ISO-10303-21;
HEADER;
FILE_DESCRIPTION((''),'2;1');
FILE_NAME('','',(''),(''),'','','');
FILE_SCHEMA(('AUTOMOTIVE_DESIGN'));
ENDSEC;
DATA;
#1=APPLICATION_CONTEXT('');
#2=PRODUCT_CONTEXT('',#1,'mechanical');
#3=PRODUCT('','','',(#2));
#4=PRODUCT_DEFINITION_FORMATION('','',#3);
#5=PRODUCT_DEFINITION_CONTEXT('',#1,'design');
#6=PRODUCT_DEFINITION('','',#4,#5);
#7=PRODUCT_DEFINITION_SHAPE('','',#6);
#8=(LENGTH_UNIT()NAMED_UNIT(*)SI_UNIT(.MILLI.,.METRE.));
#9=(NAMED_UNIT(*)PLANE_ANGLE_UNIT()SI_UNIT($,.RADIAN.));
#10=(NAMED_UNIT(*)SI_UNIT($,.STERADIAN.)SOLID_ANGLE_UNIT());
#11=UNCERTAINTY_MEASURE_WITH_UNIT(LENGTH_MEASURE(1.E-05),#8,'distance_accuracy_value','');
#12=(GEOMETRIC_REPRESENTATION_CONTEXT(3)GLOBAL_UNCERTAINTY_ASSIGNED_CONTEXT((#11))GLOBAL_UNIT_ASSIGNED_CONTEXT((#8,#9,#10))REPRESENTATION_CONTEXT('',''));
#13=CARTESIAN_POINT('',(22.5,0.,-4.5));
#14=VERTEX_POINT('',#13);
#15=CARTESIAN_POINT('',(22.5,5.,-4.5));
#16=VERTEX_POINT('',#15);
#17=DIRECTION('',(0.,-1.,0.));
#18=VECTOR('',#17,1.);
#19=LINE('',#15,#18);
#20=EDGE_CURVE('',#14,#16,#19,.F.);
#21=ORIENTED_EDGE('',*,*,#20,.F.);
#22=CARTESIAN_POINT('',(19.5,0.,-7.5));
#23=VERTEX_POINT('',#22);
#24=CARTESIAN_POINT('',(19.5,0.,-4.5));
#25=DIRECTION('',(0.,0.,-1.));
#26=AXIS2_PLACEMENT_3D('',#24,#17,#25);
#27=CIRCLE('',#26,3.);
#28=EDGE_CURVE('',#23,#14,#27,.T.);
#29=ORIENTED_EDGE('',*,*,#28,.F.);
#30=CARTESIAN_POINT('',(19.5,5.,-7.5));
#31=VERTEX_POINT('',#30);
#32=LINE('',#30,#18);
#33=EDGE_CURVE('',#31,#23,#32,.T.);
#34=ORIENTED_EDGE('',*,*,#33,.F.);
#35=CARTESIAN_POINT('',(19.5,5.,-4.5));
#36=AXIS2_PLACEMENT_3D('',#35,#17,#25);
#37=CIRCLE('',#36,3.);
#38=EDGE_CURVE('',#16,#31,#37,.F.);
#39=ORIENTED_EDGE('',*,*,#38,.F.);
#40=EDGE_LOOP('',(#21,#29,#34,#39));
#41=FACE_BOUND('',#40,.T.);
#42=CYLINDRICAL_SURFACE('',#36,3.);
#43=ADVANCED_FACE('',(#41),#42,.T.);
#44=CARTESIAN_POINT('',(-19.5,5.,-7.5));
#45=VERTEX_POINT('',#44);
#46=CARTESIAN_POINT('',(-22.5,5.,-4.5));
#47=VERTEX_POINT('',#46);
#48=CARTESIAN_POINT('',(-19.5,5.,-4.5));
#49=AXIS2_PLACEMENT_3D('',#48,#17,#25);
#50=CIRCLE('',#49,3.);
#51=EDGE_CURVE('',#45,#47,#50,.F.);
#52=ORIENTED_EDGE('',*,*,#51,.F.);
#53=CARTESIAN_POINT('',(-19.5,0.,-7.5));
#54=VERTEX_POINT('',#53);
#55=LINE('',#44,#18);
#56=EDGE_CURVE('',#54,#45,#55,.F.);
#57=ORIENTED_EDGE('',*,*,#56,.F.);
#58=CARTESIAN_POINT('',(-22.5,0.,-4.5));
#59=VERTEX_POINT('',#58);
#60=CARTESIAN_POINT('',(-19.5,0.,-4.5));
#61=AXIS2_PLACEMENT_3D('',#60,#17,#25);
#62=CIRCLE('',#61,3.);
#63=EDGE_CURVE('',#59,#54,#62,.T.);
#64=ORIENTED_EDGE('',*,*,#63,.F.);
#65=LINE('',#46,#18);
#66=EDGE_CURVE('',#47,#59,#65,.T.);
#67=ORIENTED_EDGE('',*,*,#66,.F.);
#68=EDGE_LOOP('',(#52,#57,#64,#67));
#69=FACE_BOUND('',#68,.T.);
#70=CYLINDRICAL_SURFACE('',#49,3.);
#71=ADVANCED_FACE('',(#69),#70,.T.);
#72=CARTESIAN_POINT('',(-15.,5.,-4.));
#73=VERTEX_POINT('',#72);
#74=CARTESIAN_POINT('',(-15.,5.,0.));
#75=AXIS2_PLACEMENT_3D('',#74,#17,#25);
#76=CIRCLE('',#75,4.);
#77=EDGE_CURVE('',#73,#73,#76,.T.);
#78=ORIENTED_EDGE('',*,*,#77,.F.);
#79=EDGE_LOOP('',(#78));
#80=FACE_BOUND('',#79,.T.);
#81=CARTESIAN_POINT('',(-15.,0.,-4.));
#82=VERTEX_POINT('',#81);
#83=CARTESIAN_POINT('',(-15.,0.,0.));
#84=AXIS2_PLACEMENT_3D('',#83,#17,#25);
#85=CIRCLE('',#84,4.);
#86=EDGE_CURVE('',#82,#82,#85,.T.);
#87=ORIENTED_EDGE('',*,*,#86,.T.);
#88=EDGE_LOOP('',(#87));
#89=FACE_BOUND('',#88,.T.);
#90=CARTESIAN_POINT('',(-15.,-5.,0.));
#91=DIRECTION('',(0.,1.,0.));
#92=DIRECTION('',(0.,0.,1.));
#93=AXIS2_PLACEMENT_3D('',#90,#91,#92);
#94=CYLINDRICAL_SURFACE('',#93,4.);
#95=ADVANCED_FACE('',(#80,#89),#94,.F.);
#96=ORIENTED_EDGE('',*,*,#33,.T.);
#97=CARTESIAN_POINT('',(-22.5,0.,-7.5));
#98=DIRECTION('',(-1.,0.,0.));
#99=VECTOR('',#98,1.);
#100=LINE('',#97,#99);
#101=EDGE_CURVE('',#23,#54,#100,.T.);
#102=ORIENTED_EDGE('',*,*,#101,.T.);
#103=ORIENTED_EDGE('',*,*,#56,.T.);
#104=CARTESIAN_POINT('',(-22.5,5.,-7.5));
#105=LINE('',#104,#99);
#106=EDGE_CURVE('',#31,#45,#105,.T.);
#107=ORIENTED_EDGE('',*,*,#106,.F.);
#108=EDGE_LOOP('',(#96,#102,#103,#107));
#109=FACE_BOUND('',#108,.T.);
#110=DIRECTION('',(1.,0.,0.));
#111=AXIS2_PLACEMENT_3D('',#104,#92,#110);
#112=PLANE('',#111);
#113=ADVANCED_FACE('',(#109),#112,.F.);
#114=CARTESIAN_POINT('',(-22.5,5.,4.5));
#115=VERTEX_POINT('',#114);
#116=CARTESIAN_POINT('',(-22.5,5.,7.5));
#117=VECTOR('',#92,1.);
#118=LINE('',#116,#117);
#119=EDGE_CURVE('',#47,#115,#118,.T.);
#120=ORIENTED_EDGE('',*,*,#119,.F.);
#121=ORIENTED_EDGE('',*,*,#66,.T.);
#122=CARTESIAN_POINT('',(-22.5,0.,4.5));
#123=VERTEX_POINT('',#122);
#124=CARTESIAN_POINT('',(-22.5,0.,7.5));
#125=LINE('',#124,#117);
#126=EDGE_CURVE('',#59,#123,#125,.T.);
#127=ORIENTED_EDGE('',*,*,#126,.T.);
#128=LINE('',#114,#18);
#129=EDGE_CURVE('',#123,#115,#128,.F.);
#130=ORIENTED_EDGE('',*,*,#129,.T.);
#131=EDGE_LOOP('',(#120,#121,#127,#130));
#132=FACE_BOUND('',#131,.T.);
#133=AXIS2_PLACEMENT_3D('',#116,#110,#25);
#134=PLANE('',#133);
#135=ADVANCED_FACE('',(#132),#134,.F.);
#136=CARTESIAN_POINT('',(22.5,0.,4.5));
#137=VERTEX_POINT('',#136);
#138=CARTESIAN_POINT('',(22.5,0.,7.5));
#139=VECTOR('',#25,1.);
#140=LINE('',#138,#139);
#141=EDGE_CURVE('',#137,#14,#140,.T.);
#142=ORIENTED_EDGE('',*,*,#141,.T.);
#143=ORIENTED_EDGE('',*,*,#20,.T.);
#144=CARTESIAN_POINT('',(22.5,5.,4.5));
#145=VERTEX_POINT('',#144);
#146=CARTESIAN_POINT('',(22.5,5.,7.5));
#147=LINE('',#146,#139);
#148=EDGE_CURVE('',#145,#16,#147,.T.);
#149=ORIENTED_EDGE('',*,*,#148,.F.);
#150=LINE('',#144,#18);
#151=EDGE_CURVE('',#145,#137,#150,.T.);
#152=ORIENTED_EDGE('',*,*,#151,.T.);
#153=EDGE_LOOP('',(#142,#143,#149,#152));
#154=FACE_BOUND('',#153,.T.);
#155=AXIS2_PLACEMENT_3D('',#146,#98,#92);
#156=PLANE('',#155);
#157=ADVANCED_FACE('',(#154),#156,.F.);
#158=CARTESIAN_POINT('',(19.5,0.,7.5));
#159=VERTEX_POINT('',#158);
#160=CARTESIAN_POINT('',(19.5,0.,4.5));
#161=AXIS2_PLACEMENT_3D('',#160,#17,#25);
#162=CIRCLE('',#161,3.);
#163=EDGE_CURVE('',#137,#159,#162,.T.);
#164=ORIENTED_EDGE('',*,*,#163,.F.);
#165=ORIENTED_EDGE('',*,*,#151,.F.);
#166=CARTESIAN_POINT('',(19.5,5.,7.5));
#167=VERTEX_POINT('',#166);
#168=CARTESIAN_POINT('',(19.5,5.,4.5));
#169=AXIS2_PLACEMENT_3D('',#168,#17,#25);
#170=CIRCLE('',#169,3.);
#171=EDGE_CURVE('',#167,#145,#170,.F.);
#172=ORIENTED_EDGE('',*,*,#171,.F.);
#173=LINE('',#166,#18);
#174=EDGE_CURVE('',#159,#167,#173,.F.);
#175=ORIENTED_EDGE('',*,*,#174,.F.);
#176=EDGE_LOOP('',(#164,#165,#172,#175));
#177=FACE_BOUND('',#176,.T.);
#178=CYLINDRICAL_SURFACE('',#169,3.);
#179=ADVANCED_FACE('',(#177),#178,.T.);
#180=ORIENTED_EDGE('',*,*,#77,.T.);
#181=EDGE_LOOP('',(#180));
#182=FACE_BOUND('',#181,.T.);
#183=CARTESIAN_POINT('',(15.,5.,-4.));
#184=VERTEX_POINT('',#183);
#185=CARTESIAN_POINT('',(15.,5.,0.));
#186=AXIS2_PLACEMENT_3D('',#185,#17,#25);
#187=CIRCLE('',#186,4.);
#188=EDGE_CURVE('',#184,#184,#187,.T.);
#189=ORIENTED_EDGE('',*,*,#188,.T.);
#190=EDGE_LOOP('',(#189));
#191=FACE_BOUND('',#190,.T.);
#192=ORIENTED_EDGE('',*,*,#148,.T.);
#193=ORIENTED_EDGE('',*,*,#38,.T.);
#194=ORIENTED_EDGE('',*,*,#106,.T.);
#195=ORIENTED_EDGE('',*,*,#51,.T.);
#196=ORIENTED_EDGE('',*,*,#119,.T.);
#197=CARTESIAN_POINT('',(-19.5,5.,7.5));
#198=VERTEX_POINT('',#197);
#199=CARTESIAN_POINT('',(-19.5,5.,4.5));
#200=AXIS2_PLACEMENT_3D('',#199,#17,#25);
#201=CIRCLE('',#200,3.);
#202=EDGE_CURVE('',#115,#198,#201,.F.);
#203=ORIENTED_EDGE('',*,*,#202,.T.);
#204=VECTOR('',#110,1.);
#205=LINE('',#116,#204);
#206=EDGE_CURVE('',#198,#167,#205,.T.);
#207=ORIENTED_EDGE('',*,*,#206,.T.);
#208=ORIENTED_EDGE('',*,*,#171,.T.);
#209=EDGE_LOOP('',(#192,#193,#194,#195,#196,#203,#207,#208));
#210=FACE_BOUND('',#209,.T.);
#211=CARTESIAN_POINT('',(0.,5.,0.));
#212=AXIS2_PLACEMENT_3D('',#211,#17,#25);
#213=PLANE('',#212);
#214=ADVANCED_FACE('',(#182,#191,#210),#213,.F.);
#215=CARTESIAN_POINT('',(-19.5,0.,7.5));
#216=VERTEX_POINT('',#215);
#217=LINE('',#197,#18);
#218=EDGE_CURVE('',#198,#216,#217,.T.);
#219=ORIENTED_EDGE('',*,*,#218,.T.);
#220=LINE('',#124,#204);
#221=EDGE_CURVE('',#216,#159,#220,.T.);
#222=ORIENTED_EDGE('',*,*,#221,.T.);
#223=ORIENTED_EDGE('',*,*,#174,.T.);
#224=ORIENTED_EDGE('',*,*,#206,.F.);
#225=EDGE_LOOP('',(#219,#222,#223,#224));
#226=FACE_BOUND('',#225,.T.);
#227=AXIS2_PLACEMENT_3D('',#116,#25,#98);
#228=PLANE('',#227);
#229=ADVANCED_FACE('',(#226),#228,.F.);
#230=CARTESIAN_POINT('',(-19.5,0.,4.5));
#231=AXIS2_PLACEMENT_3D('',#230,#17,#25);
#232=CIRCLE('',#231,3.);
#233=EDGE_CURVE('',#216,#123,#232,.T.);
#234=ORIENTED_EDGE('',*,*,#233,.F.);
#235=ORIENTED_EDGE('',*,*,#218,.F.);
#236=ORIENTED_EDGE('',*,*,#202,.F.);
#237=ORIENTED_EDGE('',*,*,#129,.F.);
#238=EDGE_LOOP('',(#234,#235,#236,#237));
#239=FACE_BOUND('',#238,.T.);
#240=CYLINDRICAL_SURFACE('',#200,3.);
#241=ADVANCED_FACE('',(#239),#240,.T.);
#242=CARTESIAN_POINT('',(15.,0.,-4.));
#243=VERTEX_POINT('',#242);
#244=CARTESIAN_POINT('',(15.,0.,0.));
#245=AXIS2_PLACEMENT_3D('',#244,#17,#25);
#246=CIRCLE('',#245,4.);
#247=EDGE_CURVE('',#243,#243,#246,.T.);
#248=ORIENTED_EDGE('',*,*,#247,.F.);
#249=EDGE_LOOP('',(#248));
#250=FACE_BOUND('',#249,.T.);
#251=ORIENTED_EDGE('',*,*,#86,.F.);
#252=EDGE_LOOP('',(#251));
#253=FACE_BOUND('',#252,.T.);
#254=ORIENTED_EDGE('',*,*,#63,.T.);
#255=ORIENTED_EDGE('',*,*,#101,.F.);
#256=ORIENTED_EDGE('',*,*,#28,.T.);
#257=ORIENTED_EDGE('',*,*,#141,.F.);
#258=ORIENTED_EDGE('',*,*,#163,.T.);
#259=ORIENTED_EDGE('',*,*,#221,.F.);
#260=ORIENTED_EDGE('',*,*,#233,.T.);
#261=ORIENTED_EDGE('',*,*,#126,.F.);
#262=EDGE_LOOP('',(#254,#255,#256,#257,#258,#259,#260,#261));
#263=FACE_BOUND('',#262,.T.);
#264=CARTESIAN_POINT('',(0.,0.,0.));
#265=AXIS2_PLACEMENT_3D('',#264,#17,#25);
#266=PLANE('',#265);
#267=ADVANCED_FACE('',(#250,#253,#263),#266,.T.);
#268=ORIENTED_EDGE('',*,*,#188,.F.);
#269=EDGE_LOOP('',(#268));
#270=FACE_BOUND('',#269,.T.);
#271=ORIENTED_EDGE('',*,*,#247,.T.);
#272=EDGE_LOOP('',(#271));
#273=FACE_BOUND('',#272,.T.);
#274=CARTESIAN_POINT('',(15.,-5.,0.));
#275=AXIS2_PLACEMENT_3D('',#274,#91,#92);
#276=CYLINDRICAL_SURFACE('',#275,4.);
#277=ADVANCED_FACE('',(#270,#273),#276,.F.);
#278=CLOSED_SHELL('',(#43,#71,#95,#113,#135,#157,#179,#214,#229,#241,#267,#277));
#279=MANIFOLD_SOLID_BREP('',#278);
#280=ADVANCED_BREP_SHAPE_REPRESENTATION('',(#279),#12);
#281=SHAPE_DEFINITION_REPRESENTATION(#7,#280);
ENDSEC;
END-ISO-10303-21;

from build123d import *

# Parameters (mm, degrees)
CROQUIS2_W              = 45
CROQUIS2_H              = 15
SALIENTE_EXTRUIR1_DEPTH = 5
REDONDEO1_R             = 3
CROQUIS3_R              = 4
CORTAR_EXTRUIR1_DEPTH   = 10


with BuildPart() as part:
    # Croquis2 → Saliente-Extruir1 (new body)
    with BuildSketch(Plane(origin=(0, 0, 0), x_dir=(1, 0, 0), z_dir=(0, 1, 0))):
        Rectangle(CROQUIS2_W, CROQUIS2_H)
    extrude(amount=SALIENTE_EXTRUIR1_DEPTH)

    # Redondeo1
    redondeo1_edges = [part.edges().sort_by_distance(p)[0] for p in [
        (22.5, 2.5, 7.5),
        (-22.5, 2.5, 7.5),
        (-22.5, 2.5, -7.5),
        (22.5, 2.5, -7.5),
    ]]
    fillet(redondeo1_edges, radius=REDONDEO1_R)

    # Croquis3 → Cortar-Extruir1 (cut, symmetric)
    with BuildSketch(Plane(origin=(0, 5, 0), x_dir=(1, 0, 0), z_dir=(0, 1, 0))):
        with Locations(Location((-15, 0, 0), (0, 0, 90))):
            Circle(CROQUIS3_R)
        with Locations(Location((15, 0, 0), (0, 0, 90))):
            Circle(CROQUIS3_R)
    extrude(amount=CORTAR_EXTRUIR1_DEPTH, both=True, mode=Mode.SUBTRACT)


solid = part.part
